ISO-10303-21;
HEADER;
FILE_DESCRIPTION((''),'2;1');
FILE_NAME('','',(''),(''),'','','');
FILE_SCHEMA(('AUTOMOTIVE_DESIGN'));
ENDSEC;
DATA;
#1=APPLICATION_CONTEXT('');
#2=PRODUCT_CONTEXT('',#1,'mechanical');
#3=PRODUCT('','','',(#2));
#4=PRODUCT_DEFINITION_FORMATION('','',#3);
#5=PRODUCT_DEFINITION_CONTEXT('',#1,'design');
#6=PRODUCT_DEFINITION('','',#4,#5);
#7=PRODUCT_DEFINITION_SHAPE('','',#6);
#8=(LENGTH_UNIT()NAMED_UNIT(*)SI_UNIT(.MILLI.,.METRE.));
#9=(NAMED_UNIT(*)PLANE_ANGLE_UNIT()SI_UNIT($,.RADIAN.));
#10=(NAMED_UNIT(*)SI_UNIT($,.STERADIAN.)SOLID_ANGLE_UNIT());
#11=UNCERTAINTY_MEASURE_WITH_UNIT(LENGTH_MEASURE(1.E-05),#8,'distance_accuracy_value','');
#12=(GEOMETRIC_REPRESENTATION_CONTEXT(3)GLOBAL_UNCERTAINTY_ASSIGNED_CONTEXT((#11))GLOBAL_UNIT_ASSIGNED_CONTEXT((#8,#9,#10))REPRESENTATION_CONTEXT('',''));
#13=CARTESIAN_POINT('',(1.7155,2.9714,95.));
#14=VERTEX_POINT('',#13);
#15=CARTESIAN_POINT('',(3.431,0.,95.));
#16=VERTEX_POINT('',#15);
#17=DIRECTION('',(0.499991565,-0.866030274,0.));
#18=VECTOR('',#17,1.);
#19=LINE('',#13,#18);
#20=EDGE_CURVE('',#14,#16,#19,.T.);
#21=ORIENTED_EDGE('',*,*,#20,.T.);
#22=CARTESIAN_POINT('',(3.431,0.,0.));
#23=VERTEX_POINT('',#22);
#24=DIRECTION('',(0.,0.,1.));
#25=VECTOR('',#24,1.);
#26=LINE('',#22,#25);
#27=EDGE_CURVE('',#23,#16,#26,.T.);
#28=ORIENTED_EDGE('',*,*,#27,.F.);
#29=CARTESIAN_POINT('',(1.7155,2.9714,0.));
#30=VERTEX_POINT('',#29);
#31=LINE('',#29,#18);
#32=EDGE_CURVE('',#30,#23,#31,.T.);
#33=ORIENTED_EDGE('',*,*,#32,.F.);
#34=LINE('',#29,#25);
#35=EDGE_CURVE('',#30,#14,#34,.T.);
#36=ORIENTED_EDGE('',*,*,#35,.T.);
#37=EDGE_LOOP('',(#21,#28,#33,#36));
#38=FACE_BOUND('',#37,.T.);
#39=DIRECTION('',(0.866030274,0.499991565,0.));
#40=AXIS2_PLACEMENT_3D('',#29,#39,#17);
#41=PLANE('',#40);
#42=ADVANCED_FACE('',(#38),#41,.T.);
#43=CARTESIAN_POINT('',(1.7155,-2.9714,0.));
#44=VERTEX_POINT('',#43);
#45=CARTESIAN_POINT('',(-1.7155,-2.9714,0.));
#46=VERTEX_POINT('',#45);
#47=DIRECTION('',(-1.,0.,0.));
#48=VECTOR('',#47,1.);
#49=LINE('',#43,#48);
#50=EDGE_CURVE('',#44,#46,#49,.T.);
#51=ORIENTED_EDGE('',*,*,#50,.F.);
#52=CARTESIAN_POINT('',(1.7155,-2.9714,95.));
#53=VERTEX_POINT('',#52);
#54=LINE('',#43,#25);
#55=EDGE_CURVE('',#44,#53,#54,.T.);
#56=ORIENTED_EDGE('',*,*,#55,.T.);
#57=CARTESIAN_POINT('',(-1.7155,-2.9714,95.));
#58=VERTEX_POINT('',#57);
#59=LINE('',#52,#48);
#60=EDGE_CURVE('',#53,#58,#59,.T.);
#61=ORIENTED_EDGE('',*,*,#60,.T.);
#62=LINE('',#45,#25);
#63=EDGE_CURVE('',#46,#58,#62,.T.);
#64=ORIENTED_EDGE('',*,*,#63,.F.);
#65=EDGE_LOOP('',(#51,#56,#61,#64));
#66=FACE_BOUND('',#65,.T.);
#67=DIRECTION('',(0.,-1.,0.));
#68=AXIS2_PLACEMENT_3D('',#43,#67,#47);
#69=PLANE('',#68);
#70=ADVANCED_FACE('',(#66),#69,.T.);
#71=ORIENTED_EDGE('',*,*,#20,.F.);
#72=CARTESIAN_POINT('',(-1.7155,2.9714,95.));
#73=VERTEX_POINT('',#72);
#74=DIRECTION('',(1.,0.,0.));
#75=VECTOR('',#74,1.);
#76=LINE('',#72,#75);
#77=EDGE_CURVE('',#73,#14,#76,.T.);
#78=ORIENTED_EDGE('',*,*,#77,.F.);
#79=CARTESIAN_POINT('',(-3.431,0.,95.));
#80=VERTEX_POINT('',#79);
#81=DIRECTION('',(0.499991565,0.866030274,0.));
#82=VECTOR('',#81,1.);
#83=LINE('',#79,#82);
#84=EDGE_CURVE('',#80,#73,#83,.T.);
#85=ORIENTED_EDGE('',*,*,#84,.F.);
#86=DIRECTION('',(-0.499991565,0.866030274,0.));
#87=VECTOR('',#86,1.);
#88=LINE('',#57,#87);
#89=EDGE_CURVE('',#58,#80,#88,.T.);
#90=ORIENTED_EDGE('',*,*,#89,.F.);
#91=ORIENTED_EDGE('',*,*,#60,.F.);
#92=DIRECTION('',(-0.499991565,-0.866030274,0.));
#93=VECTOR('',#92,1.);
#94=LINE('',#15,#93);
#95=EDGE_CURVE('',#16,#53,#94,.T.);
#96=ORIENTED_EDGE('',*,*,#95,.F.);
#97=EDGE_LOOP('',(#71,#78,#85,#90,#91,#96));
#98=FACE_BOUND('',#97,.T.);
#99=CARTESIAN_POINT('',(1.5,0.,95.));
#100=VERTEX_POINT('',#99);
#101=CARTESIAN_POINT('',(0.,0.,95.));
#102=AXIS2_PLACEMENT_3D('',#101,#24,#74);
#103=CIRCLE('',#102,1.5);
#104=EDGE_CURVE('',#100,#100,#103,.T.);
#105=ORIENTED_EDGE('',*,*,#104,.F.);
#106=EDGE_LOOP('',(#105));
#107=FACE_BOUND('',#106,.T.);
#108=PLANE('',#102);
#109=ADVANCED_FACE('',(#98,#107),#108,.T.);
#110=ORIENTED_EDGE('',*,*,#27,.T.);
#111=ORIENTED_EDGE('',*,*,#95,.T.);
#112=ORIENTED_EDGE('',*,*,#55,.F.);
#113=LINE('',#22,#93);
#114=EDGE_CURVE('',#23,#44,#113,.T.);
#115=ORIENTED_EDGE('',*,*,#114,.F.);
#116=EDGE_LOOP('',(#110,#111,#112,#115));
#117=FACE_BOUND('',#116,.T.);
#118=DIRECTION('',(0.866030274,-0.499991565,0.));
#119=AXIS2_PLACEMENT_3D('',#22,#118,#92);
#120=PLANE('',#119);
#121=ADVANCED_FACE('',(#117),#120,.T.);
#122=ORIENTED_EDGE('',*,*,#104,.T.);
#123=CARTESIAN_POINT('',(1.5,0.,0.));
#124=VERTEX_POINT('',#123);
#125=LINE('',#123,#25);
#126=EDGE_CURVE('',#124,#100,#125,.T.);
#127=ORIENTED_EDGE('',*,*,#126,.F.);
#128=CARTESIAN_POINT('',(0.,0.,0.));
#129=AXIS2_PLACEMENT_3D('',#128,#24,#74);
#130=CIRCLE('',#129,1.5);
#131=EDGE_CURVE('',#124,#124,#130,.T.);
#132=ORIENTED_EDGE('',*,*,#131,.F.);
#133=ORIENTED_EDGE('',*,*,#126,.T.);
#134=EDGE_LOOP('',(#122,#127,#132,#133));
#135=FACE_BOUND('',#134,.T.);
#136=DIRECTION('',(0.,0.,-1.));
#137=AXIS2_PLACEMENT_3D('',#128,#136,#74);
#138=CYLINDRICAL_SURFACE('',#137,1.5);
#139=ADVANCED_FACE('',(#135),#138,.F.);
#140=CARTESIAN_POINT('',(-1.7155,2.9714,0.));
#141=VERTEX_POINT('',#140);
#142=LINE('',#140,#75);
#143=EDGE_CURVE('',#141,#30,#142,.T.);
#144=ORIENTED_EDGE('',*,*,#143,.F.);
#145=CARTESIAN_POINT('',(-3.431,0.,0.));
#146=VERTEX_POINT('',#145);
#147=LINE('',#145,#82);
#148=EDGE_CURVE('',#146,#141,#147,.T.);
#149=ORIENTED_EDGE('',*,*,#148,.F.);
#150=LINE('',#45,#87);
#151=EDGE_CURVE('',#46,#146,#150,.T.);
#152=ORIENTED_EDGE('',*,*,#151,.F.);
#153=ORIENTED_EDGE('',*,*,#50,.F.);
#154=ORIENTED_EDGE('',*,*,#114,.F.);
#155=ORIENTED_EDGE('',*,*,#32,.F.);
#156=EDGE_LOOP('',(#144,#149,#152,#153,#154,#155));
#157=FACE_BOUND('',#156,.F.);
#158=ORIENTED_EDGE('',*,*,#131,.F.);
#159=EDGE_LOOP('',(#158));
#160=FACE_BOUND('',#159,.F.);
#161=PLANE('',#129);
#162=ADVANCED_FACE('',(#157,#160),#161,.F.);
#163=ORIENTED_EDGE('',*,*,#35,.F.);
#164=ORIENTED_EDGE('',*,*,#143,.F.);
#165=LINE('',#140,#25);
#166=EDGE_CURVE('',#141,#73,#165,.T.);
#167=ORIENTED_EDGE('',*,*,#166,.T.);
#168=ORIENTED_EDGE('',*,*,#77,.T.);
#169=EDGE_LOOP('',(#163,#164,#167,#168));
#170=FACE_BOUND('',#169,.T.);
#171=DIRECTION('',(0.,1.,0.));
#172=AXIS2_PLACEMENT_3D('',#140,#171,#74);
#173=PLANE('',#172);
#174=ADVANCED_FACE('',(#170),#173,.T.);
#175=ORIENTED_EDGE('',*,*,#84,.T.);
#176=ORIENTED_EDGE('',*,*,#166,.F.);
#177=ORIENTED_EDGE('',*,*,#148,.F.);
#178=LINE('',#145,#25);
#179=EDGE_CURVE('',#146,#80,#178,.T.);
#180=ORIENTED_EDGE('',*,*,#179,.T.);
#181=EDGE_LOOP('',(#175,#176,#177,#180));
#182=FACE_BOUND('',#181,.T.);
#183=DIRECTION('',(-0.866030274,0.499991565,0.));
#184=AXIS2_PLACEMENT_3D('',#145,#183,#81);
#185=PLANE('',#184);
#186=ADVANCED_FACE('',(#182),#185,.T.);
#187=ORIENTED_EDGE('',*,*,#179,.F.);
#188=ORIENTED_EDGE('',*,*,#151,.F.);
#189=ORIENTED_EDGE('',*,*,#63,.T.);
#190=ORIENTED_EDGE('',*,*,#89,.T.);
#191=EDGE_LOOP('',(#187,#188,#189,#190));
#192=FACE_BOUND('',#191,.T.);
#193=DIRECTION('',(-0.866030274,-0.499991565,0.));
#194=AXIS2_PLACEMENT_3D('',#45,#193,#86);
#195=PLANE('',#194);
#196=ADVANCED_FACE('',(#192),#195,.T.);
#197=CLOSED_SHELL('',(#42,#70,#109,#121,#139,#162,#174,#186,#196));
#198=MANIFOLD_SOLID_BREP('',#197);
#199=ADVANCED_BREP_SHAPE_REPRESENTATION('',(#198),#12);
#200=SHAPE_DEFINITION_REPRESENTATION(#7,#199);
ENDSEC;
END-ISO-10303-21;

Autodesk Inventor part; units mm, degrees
ref_plane "YZ Plane" through (0, 0, 0) normal (1, 0, 0) x (0, 1, 0)
ref_plane "XZ Plane" through (0, 0, 0) normal (0, 1, 0) x (-1, 0, 0)
ref_plane "XY Plane" through (0, 0, 0) normal (0, 0, 1) x (1, 0, 0)
sketch "Sketch1" plane through (0, 0, 0) normal (0, 0, 1) x (1, 0, 0)
  circle A0 centre (0, 0) radius 1.5
  line L0 (3.431, 0) -> (1.7155, -2.9714)
  line L1 (1.7155, -2.9714) -> (-1.7155, -2.9714)
  line L2 (-1.7155, -2.9714) -> (-3.431, 0)
  line L3 (-3.431, 0) -> (-1.7155, 2.9714)
  line L4 (-1.7155, 2.9714) -> (1.7155, 2.9714)
  line L5 (1.7155, 2.9714) -> (3.431, 0)
  dimension "d0" = 3
extrude "Extrusion1" add sketch "Sketch1" along normal blind 95
properties part number "trudong"
